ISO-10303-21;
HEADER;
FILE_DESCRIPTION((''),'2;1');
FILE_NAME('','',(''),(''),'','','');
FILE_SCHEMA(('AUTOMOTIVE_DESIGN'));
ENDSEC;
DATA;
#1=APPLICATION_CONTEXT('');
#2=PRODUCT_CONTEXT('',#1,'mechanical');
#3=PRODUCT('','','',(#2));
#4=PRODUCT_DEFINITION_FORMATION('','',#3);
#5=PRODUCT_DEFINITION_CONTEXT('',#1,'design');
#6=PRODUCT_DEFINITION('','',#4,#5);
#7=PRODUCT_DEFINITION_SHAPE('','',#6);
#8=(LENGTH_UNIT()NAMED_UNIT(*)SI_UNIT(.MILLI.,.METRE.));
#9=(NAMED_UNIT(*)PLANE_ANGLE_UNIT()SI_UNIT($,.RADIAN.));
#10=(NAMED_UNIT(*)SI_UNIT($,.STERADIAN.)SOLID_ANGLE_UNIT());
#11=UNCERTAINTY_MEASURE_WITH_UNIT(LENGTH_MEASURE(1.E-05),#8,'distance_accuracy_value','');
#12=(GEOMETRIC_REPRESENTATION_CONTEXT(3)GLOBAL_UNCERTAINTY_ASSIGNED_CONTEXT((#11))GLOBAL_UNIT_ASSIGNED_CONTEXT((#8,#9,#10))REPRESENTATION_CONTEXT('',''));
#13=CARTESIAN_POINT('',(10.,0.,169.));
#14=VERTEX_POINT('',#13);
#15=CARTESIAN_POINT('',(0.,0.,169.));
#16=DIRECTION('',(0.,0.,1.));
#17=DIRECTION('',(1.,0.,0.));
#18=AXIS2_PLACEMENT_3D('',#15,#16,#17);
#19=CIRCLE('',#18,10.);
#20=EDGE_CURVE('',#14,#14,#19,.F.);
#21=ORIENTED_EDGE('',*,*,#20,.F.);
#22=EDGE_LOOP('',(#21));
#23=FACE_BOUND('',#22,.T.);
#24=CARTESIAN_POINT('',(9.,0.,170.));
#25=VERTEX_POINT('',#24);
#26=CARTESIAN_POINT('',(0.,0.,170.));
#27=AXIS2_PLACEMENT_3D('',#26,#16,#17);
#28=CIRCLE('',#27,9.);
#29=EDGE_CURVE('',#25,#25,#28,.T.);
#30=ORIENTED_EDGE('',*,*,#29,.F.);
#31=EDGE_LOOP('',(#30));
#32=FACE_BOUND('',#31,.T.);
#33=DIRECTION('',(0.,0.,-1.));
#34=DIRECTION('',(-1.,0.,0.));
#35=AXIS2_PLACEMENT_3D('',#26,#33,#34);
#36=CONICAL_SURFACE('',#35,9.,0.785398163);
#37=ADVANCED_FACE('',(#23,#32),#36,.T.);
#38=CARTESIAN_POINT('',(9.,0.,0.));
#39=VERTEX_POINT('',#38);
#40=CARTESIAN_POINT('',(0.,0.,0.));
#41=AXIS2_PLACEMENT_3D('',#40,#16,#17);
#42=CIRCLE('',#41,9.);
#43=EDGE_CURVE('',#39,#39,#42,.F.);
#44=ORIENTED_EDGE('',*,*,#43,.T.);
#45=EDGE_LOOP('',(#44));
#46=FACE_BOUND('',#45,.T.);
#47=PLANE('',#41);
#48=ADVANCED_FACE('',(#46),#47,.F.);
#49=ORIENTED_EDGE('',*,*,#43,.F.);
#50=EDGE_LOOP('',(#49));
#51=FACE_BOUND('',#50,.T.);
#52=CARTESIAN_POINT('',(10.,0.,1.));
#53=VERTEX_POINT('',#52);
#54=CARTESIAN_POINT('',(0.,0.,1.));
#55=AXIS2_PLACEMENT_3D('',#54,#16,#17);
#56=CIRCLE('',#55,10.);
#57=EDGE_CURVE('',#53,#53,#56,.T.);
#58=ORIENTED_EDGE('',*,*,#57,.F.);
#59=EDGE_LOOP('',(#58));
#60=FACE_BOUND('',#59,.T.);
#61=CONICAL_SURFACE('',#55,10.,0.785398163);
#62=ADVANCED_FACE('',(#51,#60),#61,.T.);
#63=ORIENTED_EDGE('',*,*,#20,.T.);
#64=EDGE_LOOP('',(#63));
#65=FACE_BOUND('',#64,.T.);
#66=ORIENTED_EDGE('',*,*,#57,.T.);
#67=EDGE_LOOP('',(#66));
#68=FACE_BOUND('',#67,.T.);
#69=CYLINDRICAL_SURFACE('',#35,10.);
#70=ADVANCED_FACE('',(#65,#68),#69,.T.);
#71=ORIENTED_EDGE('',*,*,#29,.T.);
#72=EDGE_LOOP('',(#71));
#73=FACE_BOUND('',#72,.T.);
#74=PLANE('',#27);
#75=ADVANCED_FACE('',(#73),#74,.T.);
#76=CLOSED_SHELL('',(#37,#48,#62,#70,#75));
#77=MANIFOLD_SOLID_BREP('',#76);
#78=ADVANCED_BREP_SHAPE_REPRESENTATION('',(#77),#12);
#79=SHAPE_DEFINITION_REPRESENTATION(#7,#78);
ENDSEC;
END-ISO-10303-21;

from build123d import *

# Parameters (mm, degrees)
SKETCH_1_R      = 10
EXTRUDE_1_DEPTH = 170
CHAMFER_1_SIZE  = 1


with BuildPart() as part:
    # 草图1 → 拉伸1 (new body)
    with BuildSketch(Plane.XY):
        Circle(SKETCH_1_R)
    extrude(amount=EXTRUDE_1_DEPTH)

    # 倒角1
    chamfer_1_edges = [part.edges().sort_by_distance(p)[0] for p in [
        (-10, 0, 0),
        (-10, 0, 170),
    ]]
    chamfer(chamfer_1_edges, length=CHAMFER_1_SIZE)


solid = part.part
